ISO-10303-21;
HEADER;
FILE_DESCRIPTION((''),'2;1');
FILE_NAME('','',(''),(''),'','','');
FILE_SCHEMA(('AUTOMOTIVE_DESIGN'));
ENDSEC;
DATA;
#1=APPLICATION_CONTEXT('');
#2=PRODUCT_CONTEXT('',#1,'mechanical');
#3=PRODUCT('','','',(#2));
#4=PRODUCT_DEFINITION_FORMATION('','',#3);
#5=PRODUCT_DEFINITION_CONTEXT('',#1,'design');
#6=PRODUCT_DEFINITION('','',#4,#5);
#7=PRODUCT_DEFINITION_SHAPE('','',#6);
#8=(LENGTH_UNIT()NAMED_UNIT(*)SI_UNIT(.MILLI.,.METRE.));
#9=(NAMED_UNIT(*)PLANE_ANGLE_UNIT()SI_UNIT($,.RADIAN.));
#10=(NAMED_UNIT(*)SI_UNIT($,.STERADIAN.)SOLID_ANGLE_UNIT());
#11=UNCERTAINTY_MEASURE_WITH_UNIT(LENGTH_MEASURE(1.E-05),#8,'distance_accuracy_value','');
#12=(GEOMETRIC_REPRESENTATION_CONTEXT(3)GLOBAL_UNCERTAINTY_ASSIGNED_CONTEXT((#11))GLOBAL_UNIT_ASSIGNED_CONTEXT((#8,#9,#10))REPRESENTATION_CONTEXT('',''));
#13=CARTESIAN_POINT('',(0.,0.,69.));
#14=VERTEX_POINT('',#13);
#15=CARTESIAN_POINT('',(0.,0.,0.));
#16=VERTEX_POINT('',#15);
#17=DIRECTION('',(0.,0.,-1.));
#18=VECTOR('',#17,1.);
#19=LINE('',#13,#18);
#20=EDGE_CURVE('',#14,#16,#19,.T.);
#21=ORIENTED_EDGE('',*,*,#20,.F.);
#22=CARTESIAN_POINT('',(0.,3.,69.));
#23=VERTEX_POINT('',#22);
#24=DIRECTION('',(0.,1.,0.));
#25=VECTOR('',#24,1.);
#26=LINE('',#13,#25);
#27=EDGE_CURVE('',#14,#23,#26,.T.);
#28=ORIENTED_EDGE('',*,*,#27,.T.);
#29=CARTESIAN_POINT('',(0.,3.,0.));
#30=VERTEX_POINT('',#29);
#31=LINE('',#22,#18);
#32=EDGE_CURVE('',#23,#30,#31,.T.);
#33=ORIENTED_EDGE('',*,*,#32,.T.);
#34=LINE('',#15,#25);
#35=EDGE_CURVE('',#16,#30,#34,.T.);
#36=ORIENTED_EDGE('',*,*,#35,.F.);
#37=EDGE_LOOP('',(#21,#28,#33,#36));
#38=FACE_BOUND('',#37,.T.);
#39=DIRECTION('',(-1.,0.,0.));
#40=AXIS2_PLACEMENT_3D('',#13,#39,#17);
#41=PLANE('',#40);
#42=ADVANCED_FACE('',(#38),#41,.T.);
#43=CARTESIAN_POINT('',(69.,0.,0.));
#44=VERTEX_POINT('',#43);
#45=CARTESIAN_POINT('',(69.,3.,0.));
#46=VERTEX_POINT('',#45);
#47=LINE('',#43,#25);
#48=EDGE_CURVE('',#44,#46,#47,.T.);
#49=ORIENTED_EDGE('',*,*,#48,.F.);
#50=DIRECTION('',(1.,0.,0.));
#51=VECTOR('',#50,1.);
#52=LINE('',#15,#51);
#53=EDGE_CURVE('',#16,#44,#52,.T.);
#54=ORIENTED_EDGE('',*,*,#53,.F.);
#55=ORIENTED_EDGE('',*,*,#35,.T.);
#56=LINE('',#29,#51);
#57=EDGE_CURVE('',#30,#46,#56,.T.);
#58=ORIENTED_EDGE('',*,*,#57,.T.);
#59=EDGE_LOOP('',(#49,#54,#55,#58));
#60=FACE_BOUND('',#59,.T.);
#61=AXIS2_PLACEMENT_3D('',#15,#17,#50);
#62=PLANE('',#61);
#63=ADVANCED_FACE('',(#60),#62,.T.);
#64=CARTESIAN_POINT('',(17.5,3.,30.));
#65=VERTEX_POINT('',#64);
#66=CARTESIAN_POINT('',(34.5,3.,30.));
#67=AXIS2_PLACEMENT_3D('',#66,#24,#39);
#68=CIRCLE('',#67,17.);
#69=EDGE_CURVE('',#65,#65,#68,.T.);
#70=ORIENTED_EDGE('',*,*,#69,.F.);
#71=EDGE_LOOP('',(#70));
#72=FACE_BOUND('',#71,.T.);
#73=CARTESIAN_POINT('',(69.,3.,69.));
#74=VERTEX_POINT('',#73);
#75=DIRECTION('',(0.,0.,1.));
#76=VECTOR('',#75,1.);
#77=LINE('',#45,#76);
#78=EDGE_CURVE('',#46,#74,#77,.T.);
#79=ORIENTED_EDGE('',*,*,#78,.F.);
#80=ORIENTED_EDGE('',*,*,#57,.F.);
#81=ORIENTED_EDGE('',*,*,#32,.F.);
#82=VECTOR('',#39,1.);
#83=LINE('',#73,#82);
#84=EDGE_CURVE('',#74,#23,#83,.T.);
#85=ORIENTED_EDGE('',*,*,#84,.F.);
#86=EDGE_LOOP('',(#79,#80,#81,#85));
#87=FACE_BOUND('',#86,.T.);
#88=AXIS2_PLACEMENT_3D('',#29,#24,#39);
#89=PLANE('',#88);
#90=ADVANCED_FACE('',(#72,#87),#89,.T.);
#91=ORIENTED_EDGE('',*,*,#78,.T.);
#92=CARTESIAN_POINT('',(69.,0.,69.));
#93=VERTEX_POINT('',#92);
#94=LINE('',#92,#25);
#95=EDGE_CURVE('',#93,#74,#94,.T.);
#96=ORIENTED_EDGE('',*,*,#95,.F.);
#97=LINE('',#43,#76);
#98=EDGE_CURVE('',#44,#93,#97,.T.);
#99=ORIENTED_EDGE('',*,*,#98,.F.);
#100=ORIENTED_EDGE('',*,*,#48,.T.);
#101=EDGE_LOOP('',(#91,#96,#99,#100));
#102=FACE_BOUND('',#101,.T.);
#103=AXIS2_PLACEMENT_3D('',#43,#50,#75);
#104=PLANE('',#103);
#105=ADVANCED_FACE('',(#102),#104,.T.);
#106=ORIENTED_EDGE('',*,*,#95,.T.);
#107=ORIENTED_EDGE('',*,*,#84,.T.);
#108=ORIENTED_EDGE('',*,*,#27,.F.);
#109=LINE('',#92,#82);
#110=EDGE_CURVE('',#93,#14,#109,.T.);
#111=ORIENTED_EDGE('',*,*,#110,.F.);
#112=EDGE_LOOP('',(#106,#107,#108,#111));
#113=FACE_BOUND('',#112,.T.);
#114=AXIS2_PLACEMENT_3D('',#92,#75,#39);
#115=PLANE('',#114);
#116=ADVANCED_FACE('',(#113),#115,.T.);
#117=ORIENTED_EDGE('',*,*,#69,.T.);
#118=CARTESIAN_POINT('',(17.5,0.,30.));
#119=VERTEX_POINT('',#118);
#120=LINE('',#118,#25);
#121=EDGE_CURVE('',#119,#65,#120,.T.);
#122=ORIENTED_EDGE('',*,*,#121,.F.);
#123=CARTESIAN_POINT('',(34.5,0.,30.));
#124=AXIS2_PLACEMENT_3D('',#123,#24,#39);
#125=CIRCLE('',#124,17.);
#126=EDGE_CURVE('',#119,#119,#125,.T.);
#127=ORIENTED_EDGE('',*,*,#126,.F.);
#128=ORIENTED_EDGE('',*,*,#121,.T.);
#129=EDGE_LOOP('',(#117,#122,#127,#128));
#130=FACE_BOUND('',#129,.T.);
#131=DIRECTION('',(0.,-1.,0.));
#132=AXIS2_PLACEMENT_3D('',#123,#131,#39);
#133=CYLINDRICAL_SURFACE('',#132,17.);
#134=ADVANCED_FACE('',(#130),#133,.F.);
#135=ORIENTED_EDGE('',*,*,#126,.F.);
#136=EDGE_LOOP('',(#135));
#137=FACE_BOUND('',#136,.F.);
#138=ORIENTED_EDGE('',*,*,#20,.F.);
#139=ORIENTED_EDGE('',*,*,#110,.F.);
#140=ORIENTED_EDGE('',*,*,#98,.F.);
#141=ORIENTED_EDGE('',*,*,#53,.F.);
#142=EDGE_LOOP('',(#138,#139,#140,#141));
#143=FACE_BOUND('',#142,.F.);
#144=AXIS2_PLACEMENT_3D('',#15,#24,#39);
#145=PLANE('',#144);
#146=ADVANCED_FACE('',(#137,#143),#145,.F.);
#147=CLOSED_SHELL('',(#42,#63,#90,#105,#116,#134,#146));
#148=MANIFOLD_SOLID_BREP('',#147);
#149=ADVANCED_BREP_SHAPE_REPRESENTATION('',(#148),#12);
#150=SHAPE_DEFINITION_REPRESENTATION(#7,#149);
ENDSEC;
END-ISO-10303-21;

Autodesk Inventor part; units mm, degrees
ref_plane "YZ Plane" through (0, 0, 0) normal (1, 0, 0) x (0, 1, 0)
ref_plane "XZ Plane" through (0, 0, 0) normal (0, 1, 0) x (-1, 0, 0)
ref_plane "XY Plane" through (0, 0, 0) normal (0, 0, 1) x (1, 0, 0)
sketch "Sketch1" plane through (0, 0, 0) normal (0, 1, 0) x (-1, 0, 0)
  line L0 (0, 0) -> (-69, 0)
  line L1 (-69, 0) -> (-69, 69)
  line L2 (-69, 69) -> (0, 69)
  line L3 (0, 69) -> (0, 0)
  circle A0 centre (-34.5, 30) radius 17
  dimension "d0" = 69
  dimension "d1" = 69
  dimension "d2" = 34
  dimension "d5" = 30
extrude "Extrusion1" add sketch "Sketch1" along normal blind 3
properties part number "field-mover-motor-case"
